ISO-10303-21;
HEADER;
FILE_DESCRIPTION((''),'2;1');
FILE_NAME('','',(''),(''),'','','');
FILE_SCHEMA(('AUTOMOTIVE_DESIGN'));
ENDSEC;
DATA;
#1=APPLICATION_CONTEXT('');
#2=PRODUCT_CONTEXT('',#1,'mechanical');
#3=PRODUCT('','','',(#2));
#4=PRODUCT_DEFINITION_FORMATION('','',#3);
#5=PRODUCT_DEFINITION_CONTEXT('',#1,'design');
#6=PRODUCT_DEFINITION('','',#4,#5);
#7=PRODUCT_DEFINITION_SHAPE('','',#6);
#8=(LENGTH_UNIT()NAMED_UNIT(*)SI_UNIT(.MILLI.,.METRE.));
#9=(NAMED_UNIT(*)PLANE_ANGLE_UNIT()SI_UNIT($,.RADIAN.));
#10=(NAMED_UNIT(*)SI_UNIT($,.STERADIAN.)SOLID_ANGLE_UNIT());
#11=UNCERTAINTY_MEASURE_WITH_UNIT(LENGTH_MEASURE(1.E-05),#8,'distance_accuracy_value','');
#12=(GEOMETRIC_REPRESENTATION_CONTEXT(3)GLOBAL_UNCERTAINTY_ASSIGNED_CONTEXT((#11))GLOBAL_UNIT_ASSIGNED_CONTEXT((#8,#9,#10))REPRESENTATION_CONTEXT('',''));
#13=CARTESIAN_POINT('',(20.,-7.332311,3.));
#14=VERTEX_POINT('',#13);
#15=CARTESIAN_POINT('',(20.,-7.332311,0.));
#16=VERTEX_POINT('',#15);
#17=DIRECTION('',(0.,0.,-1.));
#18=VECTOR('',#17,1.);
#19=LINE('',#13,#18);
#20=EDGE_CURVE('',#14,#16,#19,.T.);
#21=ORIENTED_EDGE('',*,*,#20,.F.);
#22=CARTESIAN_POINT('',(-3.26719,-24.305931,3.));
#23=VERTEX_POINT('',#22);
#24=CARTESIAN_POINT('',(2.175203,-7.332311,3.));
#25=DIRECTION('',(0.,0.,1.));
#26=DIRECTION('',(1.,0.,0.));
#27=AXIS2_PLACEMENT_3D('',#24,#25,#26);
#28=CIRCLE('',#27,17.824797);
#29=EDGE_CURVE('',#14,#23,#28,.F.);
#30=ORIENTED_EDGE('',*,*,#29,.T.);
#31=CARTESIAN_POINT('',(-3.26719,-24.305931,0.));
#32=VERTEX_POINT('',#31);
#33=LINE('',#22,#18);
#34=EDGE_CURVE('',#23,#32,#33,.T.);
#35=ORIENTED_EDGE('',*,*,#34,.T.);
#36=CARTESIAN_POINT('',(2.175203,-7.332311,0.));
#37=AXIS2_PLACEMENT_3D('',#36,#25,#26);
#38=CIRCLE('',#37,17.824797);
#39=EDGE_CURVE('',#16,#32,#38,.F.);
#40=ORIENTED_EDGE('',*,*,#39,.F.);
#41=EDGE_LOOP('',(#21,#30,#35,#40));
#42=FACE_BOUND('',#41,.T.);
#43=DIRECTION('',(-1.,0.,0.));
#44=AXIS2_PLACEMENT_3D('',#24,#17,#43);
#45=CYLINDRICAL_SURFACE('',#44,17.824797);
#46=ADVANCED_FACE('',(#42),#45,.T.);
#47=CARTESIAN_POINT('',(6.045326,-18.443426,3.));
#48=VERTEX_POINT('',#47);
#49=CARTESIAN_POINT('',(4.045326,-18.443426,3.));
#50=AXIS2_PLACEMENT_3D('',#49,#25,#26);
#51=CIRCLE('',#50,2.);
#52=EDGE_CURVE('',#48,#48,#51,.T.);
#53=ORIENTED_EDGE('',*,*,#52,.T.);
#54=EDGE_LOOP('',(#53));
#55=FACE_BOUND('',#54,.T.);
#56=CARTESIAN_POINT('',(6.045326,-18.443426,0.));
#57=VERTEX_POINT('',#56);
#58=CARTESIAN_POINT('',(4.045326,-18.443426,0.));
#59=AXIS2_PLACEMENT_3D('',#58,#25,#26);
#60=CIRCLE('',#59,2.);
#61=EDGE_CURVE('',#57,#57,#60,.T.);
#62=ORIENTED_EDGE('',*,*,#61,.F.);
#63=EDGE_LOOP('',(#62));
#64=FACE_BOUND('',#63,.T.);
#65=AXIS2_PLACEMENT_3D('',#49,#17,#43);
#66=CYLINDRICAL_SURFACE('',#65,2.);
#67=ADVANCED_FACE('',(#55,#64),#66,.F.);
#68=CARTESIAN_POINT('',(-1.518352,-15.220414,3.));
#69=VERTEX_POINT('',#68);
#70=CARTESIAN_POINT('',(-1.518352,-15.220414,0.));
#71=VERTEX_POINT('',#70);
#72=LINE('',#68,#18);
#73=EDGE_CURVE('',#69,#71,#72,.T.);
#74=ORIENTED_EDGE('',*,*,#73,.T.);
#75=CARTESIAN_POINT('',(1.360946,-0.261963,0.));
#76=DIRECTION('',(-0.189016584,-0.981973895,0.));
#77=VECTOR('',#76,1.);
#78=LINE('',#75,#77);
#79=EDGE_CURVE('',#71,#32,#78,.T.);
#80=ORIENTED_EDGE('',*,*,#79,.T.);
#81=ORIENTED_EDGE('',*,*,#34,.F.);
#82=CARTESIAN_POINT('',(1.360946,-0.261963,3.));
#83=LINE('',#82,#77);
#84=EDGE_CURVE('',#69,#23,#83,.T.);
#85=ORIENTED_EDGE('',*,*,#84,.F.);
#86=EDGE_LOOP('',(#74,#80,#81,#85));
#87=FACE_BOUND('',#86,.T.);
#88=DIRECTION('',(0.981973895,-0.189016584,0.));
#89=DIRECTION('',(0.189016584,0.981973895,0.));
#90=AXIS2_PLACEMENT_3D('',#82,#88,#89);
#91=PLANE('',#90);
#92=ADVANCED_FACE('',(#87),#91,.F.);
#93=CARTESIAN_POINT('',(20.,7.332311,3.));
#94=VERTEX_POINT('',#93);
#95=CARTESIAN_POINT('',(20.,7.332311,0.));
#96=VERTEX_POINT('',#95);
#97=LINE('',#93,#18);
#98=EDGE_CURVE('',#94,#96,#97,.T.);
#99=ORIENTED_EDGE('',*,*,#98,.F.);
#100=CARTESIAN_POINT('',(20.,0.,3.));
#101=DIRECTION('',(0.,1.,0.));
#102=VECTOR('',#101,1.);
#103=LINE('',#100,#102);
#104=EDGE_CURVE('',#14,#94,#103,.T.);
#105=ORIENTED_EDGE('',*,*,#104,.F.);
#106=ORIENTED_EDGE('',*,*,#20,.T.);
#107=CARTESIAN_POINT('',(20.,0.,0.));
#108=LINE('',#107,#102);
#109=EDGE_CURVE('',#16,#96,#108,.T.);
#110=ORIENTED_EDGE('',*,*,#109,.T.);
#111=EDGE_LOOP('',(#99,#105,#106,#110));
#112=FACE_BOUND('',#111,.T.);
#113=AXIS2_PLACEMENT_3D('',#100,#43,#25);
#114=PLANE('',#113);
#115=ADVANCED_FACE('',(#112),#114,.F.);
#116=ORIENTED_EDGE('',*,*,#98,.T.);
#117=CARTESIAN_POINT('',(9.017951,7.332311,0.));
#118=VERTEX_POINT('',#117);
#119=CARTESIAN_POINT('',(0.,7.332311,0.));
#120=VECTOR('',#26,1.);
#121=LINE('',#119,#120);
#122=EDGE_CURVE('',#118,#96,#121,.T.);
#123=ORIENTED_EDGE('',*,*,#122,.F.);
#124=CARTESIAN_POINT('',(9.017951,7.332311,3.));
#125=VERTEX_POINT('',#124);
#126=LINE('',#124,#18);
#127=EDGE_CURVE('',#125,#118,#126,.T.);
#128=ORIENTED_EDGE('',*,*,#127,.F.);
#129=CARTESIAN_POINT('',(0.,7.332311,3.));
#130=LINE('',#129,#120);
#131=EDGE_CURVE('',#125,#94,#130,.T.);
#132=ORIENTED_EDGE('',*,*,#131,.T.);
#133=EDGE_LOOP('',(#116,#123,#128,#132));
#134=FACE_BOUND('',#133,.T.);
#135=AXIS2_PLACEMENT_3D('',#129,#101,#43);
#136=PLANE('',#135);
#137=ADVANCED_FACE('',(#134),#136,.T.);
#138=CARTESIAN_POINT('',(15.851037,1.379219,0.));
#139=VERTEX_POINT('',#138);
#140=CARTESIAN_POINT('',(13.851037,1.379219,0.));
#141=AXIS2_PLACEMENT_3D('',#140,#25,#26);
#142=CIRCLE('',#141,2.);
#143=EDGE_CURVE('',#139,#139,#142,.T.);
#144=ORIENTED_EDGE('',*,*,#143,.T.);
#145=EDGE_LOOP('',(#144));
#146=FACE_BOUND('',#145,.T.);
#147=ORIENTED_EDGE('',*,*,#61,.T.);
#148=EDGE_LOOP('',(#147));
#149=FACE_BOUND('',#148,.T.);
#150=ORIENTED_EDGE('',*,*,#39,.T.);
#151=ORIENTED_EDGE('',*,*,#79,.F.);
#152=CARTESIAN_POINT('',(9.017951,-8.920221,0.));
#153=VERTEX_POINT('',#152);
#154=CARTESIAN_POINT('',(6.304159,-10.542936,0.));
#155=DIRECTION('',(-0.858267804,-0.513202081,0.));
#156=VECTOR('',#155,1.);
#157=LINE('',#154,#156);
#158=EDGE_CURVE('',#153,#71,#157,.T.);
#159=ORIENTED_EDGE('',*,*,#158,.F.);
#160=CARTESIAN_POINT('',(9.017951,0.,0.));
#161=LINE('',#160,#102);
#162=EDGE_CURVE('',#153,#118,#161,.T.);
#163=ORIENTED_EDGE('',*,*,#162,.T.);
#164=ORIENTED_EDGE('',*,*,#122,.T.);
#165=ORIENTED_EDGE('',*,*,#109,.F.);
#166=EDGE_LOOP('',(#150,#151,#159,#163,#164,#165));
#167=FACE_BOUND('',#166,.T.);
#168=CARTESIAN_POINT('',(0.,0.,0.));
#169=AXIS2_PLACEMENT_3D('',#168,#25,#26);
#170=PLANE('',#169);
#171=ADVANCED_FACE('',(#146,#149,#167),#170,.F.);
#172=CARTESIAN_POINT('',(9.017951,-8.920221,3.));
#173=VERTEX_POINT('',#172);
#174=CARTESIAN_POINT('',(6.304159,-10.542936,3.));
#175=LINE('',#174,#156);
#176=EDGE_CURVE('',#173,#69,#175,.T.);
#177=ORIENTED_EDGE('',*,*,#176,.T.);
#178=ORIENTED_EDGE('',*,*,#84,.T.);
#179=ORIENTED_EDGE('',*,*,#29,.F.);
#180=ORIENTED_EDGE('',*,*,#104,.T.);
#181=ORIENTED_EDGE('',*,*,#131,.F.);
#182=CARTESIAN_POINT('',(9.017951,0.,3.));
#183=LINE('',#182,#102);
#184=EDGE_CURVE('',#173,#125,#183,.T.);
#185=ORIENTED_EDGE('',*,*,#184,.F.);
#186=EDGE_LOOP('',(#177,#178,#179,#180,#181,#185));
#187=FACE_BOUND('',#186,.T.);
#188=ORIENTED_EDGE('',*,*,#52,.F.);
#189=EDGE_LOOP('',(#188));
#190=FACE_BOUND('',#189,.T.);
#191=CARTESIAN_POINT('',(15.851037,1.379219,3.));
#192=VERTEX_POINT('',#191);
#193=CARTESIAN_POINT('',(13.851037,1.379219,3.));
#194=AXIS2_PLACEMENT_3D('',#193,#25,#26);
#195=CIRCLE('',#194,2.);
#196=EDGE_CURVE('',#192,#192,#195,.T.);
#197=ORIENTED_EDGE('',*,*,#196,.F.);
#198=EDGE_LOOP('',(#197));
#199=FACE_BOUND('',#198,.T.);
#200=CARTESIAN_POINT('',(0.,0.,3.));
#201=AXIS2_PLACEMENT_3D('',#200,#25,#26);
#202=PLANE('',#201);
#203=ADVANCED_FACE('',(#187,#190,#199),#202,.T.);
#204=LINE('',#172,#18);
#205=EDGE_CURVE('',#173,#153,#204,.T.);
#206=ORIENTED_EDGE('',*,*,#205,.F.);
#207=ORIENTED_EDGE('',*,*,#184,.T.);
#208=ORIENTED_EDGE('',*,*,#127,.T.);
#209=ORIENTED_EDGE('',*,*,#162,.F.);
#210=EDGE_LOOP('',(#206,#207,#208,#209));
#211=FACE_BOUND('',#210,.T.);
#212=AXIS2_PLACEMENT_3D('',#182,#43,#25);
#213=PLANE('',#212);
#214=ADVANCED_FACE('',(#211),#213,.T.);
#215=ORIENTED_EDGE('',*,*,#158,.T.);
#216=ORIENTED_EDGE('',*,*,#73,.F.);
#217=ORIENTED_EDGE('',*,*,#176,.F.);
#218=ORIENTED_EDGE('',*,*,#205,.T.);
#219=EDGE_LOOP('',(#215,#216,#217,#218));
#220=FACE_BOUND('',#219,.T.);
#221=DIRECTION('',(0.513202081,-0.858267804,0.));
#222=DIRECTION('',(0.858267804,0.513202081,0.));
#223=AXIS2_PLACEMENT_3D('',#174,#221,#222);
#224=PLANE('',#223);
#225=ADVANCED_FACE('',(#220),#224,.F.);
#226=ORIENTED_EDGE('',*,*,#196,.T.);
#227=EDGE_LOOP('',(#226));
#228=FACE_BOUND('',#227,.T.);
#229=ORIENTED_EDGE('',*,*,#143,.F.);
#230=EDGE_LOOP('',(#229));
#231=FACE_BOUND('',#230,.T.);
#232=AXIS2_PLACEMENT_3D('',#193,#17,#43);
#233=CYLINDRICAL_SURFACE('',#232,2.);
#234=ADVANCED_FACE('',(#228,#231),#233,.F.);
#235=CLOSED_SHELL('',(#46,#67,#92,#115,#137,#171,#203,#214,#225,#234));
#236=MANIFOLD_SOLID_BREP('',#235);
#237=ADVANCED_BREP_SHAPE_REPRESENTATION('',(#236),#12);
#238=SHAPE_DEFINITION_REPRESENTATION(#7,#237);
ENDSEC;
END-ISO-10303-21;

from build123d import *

# Parameters (mm, degrees)
SKETCH2_R           = 2
BOSS_EXTRUDE1_DEPTH = 3


with BuildPart() as part:
    # Sketch2 → Boss-Extrude1 (new body)
    with BuildSketch(Plane(origin=(0, 0, 0), x_dir=(-1, 0, 0), z_dir=(0, 0, 1))):
        with BuildLine():
            Line((-9.017950721, -7.332311194), (-20, -7.332311194))
            Line((-20, -7.332311194), (-20, 7.332311194))
            ThreePointArc((-20, 7.332311194), (-12.680293068, 21.732536084), (3.26719031, 24.305930805))
            Line((3.26719031, 24.305930805), (1.518352245, 15.220414118))
            Line((1.518352245, 15.220414118), (-9.017950721, 8.920221357))
            Line((-9.017950721, 8.920221357), (-9.017950721, -7.332311194))
        make_face()
        with Locations(Location((-13.851036571, -1.379219301, 0), (0, 0, 180))):
            Circle(SKETCH2_R, mode=Mode.SUBTRACT)
        with Locations(Location((-4.045326452, 18.443425538, 0), (0, 0, 180))):
            Circle(SKETCH2_R, mode=Mode.SUBTRACT)
    extrude(amount=BOSS_EXTRUDE1_DEPTH)


solid = part.part
